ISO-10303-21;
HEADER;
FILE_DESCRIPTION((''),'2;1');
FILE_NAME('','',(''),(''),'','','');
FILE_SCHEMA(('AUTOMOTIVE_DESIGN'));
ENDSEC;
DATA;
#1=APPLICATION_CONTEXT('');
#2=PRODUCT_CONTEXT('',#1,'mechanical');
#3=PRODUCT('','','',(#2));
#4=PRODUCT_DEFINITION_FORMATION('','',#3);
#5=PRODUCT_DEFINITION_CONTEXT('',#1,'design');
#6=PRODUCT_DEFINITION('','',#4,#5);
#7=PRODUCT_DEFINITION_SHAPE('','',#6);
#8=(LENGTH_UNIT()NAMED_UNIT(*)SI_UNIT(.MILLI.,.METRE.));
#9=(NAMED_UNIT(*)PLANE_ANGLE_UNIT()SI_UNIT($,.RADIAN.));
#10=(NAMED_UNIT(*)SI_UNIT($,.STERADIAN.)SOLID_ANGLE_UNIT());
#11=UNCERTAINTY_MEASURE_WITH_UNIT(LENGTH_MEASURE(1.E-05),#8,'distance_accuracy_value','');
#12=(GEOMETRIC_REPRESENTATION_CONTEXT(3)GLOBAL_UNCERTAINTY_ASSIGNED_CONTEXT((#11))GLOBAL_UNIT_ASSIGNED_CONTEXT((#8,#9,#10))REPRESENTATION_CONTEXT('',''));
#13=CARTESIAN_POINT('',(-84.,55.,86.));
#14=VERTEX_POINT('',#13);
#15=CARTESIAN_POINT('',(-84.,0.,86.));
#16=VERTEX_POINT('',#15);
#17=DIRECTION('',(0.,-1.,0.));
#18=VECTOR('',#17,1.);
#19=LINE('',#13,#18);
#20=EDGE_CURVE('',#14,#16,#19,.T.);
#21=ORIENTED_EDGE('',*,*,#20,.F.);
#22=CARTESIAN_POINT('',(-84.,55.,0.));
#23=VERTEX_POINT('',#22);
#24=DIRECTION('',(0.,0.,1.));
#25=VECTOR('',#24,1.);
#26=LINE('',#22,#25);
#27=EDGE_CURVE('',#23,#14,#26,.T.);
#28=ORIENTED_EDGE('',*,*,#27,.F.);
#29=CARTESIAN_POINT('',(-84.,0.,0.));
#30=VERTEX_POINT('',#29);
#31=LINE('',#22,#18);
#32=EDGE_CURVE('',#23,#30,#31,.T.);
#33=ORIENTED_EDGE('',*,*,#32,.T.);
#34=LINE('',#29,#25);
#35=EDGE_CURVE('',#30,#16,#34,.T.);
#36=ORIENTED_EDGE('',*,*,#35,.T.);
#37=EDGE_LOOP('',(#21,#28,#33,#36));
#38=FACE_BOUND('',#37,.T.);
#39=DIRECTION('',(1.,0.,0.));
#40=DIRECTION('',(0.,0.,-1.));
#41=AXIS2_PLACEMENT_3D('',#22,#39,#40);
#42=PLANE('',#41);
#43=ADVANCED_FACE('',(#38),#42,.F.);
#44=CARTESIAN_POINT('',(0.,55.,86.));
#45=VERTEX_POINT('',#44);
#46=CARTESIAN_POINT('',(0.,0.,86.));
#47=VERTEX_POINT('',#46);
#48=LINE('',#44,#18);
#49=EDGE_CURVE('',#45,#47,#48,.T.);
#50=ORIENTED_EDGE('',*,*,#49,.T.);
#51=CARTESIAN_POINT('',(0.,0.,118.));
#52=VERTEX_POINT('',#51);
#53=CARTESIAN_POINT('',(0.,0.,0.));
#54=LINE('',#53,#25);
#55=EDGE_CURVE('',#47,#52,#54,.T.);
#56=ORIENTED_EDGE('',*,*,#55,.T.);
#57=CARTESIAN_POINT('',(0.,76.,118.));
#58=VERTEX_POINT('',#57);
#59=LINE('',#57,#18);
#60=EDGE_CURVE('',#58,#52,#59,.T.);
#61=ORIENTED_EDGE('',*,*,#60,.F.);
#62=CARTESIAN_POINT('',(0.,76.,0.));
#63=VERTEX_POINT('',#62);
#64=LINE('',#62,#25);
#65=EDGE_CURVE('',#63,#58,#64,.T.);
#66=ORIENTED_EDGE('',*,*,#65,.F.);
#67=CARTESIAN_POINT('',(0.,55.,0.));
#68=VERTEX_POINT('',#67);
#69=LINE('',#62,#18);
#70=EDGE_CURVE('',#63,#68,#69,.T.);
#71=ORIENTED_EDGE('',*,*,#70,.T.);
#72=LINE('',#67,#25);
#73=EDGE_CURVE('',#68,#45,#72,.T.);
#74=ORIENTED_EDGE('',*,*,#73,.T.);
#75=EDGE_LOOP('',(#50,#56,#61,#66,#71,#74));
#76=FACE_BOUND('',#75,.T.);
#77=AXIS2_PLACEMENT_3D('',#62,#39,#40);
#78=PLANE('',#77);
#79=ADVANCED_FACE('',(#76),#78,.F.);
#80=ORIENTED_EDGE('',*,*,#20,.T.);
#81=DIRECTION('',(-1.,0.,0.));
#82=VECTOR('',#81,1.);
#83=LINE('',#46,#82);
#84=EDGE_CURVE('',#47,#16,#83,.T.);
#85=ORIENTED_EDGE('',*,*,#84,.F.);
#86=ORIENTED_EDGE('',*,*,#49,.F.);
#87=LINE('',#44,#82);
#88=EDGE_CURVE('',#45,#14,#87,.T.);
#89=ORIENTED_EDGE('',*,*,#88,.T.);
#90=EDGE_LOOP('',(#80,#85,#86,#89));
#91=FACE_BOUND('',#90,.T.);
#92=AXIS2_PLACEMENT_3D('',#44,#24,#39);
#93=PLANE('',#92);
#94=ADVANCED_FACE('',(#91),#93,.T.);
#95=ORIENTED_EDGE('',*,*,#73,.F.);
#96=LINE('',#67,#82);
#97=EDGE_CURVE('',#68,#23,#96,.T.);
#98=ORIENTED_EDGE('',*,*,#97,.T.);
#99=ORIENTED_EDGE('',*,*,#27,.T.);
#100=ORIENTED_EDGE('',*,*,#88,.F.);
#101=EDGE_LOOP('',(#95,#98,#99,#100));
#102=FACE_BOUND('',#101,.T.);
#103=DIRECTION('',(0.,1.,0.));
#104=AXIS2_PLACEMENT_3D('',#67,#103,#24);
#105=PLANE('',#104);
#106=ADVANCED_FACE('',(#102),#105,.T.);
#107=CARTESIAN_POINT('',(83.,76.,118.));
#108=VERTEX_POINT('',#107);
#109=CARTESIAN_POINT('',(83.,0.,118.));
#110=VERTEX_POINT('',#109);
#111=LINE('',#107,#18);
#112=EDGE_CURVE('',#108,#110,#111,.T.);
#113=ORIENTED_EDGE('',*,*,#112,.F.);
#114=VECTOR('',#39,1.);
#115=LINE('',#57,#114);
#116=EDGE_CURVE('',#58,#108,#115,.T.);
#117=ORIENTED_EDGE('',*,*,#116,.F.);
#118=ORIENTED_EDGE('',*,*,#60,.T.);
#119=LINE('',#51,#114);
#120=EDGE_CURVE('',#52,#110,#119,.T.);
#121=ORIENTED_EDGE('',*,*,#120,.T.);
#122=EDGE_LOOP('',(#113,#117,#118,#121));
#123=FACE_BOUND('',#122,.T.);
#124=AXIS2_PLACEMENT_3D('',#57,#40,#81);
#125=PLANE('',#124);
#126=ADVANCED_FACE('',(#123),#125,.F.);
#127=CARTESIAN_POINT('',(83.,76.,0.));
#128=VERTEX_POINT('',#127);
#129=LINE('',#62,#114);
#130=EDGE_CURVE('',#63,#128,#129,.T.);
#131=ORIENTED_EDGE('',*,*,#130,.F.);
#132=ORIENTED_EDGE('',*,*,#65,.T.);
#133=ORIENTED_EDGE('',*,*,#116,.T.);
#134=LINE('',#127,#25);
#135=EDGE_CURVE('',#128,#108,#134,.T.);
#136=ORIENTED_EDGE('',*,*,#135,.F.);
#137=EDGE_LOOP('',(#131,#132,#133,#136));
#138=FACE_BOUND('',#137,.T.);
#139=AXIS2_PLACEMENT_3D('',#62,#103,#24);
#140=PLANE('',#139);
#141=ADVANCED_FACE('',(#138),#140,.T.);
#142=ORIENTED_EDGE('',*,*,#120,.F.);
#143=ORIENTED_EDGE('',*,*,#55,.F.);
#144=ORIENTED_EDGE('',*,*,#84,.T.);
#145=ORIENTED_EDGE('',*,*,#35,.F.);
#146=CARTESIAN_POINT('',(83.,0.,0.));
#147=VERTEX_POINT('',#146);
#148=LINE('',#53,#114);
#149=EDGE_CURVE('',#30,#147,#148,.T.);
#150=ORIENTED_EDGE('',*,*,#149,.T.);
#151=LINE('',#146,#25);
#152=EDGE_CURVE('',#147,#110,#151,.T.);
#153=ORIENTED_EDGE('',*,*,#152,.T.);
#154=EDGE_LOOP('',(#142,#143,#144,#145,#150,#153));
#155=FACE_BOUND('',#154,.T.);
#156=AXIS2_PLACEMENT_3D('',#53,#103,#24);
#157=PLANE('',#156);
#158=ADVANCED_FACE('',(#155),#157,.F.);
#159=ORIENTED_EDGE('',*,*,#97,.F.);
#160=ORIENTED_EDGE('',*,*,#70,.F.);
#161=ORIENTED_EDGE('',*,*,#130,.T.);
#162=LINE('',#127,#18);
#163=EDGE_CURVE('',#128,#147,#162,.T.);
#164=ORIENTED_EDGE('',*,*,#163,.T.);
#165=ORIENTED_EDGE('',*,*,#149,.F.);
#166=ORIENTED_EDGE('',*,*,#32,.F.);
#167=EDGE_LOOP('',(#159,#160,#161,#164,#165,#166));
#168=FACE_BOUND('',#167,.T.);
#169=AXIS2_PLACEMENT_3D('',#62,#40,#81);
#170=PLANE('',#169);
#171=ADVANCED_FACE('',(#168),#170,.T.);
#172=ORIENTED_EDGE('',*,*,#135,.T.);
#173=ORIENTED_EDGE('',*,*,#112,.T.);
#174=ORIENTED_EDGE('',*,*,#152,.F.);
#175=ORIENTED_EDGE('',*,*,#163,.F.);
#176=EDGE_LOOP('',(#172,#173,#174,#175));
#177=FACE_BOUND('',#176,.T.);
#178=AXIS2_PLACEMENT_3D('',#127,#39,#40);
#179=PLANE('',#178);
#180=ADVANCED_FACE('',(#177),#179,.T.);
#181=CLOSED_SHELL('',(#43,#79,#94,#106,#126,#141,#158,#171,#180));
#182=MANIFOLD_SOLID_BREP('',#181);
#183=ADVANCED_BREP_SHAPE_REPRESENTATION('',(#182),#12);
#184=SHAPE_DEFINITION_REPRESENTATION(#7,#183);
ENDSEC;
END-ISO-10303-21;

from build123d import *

# Parameters (mm, degrees)
BOSS_EXTRUDE1_DEPTH = 76
SKETCH1_3_W         = 84
SKETCH1_3_H         = 86
BOSS_EXTRUDE2_DEPTH = 55


with BuildPart() as part:
    # Sketch1 → Boss-Extrude1 (new body)
    with BuildSketch(Plane(origin=(0, 0, 0), x_dir=(1, 0, 0), z_dir=(0, 1, 0))):
        Polygon((83, 0), (0, 0), (0, -86), (0, -118), (83, -118), align=None)
    extrude(amount=BOSS_EXTRUDE1_DEPTH)

    # Sketch1<3> → Boss-Extrude2 (add)
    with BuildSketch(Plane(origin=(0, 0, 0), x_dir=(1, 0, 0), z_dir=(0, 1, 0))):
        with Locations((-42, -43)):
            Rectangle(SKETCH1_3_W, SKETCH1_3_H)
    extrude(amount=BOSS_EXTRUDE2_DEPTH)


solid = part.part
